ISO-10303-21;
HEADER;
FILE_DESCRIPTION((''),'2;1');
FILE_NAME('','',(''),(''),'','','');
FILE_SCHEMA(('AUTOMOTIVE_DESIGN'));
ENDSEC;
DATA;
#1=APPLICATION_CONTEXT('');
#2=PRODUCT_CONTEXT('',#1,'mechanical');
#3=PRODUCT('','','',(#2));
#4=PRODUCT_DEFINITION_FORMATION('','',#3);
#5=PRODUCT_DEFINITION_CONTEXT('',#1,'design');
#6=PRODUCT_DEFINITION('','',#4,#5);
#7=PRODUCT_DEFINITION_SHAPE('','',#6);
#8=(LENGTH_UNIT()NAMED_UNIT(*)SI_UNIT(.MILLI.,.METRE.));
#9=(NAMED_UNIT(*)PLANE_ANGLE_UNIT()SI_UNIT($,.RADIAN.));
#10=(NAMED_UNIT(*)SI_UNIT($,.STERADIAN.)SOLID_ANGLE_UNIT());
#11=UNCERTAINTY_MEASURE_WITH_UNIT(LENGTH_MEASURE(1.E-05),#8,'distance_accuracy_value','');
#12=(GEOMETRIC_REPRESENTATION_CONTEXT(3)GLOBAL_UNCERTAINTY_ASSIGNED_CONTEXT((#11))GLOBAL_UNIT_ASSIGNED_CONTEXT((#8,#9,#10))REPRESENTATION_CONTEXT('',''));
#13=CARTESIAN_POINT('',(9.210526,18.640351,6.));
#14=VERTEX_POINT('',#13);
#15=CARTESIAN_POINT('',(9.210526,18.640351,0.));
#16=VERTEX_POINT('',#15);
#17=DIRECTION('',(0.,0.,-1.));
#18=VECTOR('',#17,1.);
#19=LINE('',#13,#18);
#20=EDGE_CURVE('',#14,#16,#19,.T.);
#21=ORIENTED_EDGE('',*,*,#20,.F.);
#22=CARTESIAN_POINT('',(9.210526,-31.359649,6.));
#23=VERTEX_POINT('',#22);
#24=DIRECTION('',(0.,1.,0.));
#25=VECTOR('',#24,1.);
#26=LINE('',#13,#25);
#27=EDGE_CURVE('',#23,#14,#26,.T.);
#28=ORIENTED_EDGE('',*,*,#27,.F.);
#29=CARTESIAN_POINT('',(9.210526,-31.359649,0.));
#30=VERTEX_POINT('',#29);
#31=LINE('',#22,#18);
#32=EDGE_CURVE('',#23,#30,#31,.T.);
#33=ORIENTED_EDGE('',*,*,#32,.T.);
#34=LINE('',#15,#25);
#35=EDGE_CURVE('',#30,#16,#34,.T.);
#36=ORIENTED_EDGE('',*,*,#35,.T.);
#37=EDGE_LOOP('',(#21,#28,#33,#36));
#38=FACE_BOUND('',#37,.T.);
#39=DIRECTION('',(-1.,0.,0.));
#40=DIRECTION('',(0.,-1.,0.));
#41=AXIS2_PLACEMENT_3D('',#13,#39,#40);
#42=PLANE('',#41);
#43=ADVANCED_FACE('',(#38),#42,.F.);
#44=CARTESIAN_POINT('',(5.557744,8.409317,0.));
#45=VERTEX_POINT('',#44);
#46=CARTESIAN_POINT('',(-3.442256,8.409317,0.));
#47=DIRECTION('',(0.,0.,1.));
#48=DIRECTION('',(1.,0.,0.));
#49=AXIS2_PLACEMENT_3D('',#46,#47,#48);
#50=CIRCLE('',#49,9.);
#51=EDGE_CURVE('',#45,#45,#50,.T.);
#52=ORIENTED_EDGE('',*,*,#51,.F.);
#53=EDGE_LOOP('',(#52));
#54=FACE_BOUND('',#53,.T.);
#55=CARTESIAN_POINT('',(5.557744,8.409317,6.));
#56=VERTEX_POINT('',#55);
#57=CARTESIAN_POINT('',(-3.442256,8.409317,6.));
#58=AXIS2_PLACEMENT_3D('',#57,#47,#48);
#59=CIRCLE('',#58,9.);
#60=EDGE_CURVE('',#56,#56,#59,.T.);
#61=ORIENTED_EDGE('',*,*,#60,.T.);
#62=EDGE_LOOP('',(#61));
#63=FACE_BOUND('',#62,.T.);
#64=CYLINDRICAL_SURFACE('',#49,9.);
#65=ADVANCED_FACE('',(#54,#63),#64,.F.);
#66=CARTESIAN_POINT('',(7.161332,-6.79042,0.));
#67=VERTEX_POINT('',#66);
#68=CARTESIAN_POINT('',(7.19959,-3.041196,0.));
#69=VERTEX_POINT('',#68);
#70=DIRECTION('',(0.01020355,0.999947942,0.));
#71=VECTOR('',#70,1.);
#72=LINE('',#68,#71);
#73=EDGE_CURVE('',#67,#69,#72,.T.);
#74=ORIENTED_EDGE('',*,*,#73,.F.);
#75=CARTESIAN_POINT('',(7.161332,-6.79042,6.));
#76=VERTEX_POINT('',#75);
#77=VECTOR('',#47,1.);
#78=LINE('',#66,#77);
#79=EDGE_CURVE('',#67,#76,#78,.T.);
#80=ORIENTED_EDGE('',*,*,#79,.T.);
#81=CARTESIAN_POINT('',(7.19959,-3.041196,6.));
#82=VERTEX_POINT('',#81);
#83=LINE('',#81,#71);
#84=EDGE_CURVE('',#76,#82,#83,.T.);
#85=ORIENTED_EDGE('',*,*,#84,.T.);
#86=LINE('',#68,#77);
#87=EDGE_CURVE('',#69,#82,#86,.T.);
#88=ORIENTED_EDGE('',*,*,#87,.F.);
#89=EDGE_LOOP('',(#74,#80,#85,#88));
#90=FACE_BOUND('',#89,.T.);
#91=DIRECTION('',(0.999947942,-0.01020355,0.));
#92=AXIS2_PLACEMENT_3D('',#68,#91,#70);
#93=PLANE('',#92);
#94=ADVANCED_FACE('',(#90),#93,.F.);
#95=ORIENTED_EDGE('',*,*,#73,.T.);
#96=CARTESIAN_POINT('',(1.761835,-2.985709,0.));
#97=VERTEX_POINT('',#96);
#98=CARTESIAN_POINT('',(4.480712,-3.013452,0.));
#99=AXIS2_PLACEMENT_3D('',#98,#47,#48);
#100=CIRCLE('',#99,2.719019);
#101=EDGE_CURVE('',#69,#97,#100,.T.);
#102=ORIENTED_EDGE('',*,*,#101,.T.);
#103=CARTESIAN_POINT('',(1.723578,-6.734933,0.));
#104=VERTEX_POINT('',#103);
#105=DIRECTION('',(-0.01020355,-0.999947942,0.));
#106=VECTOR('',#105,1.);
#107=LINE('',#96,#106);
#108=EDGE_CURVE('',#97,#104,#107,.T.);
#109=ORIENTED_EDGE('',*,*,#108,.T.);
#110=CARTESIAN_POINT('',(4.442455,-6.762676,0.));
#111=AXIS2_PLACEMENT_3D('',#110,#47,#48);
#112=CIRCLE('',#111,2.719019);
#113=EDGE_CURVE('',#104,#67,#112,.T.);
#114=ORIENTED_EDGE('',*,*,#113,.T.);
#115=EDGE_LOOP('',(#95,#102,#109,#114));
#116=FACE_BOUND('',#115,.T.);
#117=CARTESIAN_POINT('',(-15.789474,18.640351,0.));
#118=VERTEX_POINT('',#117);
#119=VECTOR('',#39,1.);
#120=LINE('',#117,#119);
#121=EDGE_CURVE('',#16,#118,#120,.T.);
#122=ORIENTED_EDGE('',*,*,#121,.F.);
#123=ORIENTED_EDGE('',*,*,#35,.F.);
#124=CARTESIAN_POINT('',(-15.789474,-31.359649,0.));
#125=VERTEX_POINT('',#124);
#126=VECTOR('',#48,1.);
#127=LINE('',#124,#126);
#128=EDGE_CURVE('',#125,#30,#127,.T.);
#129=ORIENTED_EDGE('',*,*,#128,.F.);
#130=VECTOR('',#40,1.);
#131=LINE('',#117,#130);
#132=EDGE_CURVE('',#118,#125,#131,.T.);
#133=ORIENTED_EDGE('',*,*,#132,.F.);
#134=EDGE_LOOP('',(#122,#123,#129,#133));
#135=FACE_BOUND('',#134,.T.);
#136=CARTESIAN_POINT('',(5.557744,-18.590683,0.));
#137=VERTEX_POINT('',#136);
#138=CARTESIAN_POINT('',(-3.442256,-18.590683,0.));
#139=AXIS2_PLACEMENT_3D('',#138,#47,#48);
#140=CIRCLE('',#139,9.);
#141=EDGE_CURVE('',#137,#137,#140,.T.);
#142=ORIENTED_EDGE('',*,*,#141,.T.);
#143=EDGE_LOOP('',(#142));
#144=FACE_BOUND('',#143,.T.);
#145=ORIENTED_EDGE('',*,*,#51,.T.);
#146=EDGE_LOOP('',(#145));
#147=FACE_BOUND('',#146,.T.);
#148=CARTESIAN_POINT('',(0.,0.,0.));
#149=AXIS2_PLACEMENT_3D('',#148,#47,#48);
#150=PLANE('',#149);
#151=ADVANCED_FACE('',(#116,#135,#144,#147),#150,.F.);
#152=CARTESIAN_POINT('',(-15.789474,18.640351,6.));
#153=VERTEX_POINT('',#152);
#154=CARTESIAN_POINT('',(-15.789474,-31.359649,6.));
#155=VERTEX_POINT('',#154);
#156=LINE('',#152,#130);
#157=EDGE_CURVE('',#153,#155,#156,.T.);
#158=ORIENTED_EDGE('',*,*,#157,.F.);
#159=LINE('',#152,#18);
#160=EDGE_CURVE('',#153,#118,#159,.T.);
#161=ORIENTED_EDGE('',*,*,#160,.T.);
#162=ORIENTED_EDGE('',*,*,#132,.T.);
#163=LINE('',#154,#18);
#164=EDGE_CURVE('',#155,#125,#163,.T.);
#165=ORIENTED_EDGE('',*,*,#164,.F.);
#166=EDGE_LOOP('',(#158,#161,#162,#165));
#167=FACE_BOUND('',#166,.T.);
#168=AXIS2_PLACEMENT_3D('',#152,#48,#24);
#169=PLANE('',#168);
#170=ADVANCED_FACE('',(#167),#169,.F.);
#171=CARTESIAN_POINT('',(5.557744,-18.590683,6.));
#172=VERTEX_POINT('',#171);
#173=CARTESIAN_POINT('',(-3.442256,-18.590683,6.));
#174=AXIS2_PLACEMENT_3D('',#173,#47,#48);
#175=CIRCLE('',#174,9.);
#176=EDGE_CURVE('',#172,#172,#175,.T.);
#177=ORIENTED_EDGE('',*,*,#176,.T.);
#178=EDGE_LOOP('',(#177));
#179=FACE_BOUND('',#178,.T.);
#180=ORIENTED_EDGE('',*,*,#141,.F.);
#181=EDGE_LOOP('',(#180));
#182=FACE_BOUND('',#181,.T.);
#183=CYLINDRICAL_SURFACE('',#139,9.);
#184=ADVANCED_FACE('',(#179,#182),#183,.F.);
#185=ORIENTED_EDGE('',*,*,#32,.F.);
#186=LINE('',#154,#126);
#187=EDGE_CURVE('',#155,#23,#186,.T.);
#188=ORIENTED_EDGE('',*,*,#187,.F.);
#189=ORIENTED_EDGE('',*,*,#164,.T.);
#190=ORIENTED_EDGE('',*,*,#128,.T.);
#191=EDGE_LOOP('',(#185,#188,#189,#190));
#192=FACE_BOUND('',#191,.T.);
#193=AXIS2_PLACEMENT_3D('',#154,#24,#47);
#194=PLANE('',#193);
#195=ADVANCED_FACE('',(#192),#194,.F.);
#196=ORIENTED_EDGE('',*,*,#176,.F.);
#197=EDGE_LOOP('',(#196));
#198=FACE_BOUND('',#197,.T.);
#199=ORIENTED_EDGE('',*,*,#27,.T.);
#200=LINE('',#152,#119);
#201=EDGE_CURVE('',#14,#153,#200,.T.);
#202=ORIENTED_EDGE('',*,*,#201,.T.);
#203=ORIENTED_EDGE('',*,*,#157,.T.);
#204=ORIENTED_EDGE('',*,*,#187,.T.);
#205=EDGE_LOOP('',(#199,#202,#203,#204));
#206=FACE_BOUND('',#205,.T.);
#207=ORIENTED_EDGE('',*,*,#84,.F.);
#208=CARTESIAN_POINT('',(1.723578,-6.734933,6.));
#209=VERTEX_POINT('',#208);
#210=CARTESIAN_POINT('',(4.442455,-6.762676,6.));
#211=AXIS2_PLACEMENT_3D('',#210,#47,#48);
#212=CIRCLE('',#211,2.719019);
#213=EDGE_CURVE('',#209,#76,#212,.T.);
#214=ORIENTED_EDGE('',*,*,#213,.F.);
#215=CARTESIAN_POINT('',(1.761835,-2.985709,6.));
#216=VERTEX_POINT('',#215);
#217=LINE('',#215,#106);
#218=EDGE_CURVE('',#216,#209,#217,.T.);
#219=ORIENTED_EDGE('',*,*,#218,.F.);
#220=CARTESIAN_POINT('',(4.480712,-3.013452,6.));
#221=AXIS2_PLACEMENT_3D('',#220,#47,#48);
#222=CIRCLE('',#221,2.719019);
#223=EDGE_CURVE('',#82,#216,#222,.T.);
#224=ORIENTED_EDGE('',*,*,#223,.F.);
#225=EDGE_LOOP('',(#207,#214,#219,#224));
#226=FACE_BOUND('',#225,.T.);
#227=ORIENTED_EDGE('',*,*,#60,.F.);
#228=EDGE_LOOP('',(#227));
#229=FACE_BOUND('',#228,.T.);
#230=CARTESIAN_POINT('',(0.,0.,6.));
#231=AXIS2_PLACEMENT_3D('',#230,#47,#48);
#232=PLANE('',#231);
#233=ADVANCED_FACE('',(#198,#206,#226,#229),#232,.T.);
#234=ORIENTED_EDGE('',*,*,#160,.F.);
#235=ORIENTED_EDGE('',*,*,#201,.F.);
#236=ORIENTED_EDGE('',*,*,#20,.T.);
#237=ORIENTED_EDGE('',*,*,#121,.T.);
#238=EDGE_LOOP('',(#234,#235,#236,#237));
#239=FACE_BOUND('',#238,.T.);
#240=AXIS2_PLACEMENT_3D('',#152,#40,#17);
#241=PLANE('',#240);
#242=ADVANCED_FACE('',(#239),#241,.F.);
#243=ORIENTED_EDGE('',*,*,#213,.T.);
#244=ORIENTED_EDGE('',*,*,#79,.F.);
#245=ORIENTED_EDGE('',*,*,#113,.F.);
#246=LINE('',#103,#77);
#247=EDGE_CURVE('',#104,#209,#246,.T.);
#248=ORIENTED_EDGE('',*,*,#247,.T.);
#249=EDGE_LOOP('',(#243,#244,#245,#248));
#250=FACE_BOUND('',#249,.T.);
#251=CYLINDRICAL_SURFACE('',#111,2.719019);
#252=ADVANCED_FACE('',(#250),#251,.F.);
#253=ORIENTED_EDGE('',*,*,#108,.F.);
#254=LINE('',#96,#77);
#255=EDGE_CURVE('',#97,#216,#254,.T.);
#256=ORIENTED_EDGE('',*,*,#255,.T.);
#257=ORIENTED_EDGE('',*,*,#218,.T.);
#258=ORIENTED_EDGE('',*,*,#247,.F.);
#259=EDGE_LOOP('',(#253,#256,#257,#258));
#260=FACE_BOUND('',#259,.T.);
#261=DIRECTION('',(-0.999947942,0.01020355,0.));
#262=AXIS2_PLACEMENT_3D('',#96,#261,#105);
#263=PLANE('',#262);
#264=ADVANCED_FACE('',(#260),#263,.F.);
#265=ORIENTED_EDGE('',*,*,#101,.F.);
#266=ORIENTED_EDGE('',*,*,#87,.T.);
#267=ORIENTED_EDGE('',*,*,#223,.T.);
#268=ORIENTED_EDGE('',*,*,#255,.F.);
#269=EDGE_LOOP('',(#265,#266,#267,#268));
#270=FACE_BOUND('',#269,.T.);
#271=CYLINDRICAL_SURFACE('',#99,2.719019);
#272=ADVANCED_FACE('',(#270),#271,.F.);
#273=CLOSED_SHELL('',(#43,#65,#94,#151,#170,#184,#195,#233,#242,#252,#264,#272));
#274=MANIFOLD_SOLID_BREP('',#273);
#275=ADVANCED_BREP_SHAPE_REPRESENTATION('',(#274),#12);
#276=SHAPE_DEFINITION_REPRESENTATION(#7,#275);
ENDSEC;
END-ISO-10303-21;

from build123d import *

# Parameters (mm, degrees)
SKETCH1_W           = 25
SKETCH1_H           = 50
BOSS_EXTRUDE1_DEPTH = 6
SKETCH2_R           = 9
CUT_EXTRUDE1_DEPTH  = 36.619307578


with BuildPart() as part:
    # Sketch1 → Boss-Extrude1 (new body)
    with BuildSketch(Plane.XY):
        with Locations((-3.289473684, -6.359649123)):
            Rectangle(SKETCH1_W, SKETCH1_H)
    extrude(amount=BOSS_EXTRUDE1_DEPTH)

    # Sketch2 → Cut-Extrude1 (cut, through all)
    with BuildSketch(Plane.XY.offset(6)):
        with Locations((-3.442256095, 8.409317212)):
            Circle(SKETCH2_R)
        with Locations((-3.442256095, -18.590682788)):
            Circle(SKETCH2_R)
        with BuildLine():
            Line((7.19958983, -3.041196046), (7.161332442, -6.790420083))
            ThreePointArc((7.161332442, -6.790420083), (4.414711412, -9.481553819), (1.723577676, -6.734932789))
            Line((1.723577676, -6.734932789), (1.761835064, -2.985708753))
            ThreePointArc((1.761835064, -2.985708753), (4.508456094, -0.294575016), (7.19958983, -3.041196046))
        make_face()
    extrude(amount=-CUT_EXTRUDE1_DEPTH, mode=Mode.SUBTRACT)


solid = part.part
